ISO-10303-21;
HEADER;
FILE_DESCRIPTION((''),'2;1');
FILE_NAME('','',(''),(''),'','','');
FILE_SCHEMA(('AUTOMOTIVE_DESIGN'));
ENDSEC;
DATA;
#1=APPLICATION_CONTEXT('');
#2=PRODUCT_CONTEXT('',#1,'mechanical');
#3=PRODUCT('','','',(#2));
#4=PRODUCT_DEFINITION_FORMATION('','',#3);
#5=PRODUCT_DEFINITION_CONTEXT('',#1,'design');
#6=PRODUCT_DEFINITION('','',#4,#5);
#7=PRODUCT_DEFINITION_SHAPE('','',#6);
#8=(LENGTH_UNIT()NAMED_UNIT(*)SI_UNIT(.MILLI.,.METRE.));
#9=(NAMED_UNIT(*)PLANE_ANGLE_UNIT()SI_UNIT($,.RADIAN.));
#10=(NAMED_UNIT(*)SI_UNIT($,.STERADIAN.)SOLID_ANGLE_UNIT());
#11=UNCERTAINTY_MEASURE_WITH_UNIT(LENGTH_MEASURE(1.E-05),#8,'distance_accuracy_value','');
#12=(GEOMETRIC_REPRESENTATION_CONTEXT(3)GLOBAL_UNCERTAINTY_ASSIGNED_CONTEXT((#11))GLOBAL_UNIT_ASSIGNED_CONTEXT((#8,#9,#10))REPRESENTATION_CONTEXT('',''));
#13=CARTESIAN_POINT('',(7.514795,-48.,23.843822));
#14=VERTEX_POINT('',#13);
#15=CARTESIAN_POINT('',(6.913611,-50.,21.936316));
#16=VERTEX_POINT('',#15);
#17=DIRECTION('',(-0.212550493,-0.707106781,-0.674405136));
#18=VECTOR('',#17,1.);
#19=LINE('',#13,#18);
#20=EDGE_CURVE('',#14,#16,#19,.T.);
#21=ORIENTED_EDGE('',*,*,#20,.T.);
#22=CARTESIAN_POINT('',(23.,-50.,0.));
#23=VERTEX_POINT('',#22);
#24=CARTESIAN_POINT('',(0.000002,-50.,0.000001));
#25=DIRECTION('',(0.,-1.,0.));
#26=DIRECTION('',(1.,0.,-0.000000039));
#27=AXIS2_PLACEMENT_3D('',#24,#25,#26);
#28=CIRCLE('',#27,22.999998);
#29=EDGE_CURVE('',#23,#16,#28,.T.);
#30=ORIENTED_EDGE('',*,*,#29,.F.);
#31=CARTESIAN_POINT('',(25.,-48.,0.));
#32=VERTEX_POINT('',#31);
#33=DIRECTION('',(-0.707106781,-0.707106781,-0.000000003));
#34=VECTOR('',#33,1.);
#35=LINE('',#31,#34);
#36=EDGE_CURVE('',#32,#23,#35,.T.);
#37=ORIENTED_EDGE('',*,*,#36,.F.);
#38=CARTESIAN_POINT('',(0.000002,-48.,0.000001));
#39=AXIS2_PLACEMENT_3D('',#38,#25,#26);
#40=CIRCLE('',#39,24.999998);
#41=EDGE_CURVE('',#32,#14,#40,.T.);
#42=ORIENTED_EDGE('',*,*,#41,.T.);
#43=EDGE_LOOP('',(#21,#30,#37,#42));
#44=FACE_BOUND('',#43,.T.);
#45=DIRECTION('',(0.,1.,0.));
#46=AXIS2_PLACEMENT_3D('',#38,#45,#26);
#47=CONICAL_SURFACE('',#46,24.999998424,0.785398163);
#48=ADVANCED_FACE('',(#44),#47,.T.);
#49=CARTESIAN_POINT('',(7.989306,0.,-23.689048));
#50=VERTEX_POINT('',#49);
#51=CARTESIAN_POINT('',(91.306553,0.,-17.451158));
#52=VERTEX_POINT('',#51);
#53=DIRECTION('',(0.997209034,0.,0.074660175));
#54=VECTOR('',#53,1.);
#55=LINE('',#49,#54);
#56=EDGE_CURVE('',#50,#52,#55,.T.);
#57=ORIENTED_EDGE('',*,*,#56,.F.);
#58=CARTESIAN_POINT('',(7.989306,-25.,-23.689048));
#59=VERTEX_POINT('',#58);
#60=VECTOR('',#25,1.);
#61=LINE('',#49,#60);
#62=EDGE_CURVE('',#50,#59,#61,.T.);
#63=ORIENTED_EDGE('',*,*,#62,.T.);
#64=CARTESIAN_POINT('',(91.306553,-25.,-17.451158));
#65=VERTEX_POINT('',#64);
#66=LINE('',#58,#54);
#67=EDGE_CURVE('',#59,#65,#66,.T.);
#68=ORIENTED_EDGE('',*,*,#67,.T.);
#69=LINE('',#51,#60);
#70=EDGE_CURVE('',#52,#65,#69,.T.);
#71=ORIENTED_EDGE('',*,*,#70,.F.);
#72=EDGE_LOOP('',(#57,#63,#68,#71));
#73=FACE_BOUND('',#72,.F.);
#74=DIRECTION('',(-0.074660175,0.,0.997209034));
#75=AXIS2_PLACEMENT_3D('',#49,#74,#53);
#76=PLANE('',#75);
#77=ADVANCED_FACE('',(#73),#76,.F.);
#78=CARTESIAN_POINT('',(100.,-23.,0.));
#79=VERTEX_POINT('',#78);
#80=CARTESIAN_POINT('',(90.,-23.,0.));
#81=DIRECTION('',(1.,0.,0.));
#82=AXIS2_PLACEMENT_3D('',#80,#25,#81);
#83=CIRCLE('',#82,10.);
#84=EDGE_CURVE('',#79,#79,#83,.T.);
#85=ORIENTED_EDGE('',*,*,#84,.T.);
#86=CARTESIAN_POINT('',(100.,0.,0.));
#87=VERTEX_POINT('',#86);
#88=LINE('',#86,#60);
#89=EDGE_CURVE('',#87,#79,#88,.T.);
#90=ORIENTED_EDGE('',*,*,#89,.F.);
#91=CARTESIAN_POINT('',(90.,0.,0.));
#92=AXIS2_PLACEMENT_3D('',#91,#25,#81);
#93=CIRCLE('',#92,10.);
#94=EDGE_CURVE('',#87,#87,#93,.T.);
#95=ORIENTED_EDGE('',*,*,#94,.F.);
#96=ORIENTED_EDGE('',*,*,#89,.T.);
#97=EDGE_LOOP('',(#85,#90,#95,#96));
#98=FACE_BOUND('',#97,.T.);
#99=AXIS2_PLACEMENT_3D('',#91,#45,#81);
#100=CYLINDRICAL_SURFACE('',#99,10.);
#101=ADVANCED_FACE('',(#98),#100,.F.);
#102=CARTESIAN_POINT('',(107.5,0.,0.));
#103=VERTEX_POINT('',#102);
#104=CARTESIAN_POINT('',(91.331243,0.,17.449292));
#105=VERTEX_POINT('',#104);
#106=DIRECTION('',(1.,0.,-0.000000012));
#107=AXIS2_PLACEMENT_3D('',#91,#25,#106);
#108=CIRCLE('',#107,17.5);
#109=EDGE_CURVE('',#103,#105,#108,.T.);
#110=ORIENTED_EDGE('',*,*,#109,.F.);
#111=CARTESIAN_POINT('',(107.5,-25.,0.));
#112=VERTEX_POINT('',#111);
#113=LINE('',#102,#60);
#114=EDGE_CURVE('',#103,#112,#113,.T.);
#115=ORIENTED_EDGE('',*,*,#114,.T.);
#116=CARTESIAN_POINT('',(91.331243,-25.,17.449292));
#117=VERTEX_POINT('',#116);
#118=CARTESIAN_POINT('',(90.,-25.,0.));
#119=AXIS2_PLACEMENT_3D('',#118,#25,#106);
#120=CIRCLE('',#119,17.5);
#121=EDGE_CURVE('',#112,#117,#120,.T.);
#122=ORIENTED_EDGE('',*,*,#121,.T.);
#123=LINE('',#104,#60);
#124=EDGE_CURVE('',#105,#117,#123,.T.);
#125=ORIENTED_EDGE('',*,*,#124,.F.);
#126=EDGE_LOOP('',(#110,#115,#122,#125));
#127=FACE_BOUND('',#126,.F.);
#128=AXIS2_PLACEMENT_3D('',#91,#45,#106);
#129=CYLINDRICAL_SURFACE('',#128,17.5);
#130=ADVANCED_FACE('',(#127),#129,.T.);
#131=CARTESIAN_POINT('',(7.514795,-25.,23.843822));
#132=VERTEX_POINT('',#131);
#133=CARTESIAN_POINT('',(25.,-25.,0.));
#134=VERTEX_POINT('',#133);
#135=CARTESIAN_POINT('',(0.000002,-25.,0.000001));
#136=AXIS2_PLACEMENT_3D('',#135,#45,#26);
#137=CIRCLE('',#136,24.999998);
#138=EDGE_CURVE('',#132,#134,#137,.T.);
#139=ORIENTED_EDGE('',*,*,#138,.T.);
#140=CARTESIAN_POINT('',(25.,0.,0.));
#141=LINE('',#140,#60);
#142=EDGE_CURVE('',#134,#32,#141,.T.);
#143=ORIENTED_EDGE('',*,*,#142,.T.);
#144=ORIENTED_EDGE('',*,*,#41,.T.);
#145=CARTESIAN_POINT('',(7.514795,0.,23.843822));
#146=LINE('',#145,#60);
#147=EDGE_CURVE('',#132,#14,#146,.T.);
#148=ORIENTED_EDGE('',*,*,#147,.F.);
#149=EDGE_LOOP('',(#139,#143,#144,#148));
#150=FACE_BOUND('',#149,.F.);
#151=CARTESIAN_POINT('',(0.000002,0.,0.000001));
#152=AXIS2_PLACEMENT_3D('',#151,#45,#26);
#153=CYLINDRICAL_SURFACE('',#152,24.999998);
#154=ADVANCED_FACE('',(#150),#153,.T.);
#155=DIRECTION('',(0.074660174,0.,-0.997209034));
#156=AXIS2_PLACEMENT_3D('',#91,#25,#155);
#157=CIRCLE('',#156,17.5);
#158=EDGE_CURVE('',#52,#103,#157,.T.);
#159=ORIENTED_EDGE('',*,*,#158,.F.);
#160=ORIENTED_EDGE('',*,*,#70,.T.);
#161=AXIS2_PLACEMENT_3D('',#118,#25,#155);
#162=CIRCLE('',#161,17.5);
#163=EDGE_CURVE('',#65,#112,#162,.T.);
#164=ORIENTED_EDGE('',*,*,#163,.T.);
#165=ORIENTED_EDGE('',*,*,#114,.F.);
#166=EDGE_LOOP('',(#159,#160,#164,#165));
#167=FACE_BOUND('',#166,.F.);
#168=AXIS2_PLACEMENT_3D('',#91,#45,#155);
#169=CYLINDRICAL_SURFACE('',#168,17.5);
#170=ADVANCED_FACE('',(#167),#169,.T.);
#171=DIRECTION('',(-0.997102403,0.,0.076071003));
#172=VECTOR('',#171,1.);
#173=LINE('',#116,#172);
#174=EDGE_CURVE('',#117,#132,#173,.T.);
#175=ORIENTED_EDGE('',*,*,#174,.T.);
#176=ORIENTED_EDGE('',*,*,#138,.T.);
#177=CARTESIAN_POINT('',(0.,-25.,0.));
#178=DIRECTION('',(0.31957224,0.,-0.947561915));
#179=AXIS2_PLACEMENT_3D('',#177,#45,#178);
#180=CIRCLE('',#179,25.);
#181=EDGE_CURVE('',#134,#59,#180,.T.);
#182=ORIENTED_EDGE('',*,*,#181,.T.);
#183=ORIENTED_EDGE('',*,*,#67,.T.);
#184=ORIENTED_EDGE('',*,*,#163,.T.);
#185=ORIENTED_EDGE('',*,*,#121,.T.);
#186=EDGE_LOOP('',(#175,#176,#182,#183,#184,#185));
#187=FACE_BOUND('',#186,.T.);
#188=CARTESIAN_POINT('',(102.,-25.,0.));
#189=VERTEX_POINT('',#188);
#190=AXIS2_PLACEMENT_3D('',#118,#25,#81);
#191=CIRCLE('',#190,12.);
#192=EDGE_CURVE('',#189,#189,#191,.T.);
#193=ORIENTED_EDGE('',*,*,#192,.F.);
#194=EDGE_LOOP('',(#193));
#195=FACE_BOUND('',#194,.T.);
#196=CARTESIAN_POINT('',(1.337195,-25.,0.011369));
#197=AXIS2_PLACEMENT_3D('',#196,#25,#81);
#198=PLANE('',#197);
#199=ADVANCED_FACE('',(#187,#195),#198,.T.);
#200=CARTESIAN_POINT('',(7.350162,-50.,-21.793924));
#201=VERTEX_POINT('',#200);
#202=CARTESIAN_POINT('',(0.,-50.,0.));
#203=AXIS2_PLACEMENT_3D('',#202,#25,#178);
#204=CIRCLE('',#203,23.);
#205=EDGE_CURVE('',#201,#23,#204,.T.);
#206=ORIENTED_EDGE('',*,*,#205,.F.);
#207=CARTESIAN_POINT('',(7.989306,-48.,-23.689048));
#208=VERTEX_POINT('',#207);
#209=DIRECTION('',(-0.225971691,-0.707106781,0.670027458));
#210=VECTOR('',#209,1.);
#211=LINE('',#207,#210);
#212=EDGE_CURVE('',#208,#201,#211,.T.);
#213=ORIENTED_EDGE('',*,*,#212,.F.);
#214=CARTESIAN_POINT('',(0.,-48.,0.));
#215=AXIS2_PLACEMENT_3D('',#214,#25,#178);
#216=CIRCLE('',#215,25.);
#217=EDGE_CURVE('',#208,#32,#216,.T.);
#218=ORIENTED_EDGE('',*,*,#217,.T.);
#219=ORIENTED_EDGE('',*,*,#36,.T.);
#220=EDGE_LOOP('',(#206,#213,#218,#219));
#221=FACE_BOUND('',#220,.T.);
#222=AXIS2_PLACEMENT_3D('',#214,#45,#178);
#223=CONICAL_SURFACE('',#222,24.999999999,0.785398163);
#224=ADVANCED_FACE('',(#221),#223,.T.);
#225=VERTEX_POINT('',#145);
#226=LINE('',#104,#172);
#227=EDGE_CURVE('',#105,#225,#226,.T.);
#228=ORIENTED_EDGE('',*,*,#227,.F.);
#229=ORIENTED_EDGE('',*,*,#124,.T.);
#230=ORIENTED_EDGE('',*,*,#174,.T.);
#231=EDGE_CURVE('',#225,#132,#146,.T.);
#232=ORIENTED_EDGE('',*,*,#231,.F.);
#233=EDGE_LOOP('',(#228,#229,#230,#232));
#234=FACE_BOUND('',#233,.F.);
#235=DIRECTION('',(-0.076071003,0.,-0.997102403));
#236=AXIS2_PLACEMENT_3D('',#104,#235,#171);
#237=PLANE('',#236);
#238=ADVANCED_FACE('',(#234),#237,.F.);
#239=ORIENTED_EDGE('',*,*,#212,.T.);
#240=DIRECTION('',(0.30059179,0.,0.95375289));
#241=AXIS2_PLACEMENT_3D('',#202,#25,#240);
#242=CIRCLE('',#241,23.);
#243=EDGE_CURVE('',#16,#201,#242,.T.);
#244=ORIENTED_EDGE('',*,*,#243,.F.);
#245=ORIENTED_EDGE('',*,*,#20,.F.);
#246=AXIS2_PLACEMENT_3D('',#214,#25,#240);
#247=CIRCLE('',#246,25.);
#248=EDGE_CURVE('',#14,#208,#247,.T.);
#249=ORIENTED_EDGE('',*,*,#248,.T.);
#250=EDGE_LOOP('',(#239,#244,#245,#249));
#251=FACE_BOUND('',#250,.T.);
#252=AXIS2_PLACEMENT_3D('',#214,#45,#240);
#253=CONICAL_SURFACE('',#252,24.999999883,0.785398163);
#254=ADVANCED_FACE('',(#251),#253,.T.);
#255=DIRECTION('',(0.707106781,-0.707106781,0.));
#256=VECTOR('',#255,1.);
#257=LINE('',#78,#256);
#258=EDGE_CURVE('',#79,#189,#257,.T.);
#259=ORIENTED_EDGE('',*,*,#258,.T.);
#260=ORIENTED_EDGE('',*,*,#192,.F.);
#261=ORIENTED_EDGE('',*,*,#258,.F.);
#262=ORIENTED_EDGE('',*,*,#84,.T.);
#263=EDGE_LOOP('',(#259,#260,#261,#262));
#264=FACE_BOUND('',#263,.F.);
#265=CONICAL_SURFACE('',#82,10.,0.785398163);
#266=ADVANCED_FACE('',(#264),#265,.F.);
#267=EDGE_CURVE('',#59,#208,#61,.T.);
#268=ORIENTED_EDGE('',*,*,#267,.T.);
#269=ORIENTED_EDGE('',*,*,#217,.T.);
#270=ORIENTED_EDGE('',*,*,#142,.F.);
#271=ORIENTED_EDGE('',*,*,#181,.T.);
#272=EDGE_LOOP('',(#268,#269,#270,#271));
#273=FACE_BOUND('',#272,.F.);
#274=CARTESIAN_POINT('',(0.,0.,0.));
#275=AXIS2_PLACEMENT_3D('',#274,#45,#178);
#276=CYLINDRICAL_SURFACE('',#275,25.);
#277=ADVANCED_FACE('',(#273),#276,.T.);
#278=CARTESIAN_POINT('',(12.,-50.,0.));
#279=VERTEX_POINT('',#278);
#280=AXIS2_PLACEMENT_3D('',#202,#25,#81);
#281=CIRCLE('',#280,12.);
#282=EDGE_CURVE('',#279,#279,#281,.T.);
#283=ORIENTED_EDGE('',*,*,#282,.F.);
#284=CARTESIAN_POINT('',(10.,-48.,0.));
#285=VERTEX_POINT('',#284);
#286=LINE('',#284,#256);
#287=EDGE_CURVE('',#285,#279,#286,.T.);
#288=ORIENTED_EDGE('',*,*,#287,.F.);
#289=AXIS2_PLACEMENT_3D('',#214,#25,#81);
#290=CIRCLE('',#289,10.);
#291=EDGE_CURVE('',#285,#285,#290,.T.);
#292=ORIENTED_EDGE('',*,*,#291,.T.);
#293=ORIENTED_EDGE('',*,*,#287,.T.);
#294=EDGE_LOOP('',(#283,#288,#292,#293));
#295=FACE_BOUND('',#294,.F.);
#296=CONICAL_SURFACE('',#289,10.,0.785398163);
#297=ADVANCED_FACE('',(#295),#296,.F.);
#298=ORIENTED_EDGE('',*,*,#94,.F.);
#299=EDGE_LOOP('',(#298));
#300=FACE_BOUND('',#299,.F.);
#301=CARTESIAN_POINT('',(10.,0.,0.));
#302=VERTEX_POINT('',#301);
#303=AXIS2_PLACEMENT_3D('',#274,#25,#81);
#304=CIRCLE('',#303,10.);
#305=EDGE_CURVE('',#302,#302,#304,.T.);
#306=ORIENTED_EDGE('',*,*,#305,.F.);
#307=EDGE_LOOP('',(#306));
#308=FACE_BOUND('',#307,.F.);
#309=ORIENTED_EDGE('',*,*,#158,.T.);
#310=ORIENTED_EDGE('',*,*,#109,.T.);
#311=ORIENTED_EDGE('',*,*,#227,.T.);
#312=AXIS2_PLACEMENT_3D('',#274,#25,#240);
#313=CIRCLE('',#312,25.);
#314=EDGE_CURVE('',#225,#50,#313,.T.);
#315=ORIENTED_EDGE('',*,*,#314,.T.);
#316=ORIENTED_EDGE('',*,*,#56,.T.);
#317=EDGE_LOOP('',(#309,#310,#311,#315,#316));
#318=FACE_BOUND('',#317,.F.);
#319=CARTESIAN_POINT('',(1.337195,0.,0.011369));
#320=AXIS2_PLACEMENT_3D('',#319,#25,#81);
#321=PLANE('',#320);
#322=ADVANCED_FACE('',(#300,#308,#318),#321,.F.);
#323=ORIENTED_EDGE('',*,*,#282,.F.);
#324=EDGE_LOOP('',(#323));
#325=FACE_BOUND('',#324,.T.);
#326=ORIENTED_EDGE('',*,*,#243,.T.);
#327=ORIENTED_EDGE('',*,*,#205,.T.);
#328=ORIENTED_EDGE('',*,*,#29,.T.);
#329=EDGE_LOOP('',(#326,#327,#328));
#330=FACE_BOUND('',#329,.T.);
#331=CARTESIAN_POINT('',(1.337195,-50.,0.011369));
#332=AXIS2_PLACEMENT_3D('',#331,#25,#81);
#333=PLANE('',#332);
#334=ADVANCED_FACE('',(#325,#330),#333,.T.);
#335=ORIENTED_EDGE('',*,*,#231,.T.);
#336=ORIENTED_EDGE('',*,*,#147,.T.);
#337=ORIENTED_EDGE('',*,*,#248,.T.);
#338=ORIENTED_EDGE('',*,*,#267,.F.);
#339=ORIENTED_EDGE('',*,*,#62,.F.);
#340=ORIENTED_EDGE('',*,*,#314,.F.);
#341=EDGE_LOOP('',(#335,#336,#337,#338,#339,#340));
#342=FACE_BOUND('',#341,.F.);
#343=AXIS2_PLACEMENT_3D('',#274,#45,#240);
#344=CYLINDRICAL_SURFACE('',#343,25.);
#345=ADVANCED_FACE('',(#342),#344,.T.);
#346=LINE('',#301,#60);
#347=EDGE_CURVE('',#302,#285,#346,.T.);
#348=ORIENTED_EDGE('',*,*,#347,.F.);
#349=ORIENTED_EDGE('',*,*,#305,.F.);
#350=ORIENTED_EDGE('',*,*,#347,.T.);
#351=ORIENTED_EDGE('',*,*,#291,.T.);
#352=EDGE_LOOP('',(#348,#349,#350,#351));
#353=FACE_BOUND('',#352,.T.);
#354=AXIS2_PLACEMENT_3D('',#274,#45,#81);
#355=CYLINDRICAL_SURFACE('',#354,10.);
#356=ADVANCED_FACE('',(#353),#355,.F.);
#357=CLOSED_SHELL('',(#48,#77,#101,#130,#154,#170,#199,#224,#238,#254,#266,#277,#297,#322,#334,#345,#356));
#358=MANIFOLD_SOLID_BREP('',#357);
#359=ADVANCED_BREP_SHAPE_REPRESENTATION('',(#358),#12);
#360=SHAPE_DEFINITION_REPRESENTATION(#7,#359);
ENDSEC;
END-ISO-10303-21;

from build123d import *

# Parameters (mm, degrees)
F0_R     = 10
F1_DEPTH = 25
F2_DEPTH = 50
F3_SIZE  = 2


with BuildPart() as f1:
    # F0 (on Front) → F1 (new body)
    with BuildSketch(Plane.XZ):
        with BuildLine():
            ThreePointArc((7.989306, -23.689048), (20.306805, -14.581964), (25, 0))
            ThreePointArc((25, 0), (20.160232, 14.783946), (7.514795, 23.843822))
            ThreePointArc((7.514795, 23.843822), (-24.998754, -0.249557), (7.989306, -23.689048))
        make_face()
        Circle(F0_R, mode=Mode.SUBTRACT)
        with BuildLine():
            ThreePointArc((7.514795, 23.843822), (20.160232, 14.783946), (25, 0))
            ThreePointArc((25, 0), (20.306805, -14.581964), (7.989306, -23.689048))
            Line((7.989306, -23.689048), (91.306553, -17.451158))
            ThreePointArc((91.306553, -17.451158), (72.500004, 0.01238), (91.331243, 17.449292))
            Line((91.331243, 17.449292), (7.514795, 23.843822))
        make_face()
        with BuildLine():
            ThreePointArc((107.5, 0), (102.836408, 11.894395), (91.331243, 17.449292))
            ThreePointArc((91.331243, 17.449292), (72.500004, 0.01238), (91.306553, -17.451158))
            ThreePointArc((91.306553, -17.451158), (102.82799, -11.903473), (107.5, 0))
        make_face()
        with Locations((90, 0)):
            Circle(F0_R, mode=Mode.SUBTRACT)
    extrude(amount=F1_DEPTH)

    # F0 (on Front) → F2 (join)
    with BuildSketch(Plane.XZ):
        with BuildLine():
            ThreePointArc((7.989306, -23.689048), (20.306805, -14.581964), (25, 0))
            ThreePointArc((25, 0), (20.160232, 14.783946), (7.514795, 23.843822))
            ThreePointArc((7.514795, 23.843822), (-24.998754, -0.249557), (7.989306, -23.689048))
        make_face()
        Circle(F0_R, mode=Mode.SUBTRACT)
    extrude(amount=F2_DEPTH)

    # F3
    f3_edges = [f1.edges().sort_by_distance(p)[0] for p in [
        (-7.989306, -50, 23.689048),
        (-10, -50, 0),
        (80, -25, 0),
    ]]
    chamfer(f3_edges, length=F3_SIZE)


solid = f1.part
